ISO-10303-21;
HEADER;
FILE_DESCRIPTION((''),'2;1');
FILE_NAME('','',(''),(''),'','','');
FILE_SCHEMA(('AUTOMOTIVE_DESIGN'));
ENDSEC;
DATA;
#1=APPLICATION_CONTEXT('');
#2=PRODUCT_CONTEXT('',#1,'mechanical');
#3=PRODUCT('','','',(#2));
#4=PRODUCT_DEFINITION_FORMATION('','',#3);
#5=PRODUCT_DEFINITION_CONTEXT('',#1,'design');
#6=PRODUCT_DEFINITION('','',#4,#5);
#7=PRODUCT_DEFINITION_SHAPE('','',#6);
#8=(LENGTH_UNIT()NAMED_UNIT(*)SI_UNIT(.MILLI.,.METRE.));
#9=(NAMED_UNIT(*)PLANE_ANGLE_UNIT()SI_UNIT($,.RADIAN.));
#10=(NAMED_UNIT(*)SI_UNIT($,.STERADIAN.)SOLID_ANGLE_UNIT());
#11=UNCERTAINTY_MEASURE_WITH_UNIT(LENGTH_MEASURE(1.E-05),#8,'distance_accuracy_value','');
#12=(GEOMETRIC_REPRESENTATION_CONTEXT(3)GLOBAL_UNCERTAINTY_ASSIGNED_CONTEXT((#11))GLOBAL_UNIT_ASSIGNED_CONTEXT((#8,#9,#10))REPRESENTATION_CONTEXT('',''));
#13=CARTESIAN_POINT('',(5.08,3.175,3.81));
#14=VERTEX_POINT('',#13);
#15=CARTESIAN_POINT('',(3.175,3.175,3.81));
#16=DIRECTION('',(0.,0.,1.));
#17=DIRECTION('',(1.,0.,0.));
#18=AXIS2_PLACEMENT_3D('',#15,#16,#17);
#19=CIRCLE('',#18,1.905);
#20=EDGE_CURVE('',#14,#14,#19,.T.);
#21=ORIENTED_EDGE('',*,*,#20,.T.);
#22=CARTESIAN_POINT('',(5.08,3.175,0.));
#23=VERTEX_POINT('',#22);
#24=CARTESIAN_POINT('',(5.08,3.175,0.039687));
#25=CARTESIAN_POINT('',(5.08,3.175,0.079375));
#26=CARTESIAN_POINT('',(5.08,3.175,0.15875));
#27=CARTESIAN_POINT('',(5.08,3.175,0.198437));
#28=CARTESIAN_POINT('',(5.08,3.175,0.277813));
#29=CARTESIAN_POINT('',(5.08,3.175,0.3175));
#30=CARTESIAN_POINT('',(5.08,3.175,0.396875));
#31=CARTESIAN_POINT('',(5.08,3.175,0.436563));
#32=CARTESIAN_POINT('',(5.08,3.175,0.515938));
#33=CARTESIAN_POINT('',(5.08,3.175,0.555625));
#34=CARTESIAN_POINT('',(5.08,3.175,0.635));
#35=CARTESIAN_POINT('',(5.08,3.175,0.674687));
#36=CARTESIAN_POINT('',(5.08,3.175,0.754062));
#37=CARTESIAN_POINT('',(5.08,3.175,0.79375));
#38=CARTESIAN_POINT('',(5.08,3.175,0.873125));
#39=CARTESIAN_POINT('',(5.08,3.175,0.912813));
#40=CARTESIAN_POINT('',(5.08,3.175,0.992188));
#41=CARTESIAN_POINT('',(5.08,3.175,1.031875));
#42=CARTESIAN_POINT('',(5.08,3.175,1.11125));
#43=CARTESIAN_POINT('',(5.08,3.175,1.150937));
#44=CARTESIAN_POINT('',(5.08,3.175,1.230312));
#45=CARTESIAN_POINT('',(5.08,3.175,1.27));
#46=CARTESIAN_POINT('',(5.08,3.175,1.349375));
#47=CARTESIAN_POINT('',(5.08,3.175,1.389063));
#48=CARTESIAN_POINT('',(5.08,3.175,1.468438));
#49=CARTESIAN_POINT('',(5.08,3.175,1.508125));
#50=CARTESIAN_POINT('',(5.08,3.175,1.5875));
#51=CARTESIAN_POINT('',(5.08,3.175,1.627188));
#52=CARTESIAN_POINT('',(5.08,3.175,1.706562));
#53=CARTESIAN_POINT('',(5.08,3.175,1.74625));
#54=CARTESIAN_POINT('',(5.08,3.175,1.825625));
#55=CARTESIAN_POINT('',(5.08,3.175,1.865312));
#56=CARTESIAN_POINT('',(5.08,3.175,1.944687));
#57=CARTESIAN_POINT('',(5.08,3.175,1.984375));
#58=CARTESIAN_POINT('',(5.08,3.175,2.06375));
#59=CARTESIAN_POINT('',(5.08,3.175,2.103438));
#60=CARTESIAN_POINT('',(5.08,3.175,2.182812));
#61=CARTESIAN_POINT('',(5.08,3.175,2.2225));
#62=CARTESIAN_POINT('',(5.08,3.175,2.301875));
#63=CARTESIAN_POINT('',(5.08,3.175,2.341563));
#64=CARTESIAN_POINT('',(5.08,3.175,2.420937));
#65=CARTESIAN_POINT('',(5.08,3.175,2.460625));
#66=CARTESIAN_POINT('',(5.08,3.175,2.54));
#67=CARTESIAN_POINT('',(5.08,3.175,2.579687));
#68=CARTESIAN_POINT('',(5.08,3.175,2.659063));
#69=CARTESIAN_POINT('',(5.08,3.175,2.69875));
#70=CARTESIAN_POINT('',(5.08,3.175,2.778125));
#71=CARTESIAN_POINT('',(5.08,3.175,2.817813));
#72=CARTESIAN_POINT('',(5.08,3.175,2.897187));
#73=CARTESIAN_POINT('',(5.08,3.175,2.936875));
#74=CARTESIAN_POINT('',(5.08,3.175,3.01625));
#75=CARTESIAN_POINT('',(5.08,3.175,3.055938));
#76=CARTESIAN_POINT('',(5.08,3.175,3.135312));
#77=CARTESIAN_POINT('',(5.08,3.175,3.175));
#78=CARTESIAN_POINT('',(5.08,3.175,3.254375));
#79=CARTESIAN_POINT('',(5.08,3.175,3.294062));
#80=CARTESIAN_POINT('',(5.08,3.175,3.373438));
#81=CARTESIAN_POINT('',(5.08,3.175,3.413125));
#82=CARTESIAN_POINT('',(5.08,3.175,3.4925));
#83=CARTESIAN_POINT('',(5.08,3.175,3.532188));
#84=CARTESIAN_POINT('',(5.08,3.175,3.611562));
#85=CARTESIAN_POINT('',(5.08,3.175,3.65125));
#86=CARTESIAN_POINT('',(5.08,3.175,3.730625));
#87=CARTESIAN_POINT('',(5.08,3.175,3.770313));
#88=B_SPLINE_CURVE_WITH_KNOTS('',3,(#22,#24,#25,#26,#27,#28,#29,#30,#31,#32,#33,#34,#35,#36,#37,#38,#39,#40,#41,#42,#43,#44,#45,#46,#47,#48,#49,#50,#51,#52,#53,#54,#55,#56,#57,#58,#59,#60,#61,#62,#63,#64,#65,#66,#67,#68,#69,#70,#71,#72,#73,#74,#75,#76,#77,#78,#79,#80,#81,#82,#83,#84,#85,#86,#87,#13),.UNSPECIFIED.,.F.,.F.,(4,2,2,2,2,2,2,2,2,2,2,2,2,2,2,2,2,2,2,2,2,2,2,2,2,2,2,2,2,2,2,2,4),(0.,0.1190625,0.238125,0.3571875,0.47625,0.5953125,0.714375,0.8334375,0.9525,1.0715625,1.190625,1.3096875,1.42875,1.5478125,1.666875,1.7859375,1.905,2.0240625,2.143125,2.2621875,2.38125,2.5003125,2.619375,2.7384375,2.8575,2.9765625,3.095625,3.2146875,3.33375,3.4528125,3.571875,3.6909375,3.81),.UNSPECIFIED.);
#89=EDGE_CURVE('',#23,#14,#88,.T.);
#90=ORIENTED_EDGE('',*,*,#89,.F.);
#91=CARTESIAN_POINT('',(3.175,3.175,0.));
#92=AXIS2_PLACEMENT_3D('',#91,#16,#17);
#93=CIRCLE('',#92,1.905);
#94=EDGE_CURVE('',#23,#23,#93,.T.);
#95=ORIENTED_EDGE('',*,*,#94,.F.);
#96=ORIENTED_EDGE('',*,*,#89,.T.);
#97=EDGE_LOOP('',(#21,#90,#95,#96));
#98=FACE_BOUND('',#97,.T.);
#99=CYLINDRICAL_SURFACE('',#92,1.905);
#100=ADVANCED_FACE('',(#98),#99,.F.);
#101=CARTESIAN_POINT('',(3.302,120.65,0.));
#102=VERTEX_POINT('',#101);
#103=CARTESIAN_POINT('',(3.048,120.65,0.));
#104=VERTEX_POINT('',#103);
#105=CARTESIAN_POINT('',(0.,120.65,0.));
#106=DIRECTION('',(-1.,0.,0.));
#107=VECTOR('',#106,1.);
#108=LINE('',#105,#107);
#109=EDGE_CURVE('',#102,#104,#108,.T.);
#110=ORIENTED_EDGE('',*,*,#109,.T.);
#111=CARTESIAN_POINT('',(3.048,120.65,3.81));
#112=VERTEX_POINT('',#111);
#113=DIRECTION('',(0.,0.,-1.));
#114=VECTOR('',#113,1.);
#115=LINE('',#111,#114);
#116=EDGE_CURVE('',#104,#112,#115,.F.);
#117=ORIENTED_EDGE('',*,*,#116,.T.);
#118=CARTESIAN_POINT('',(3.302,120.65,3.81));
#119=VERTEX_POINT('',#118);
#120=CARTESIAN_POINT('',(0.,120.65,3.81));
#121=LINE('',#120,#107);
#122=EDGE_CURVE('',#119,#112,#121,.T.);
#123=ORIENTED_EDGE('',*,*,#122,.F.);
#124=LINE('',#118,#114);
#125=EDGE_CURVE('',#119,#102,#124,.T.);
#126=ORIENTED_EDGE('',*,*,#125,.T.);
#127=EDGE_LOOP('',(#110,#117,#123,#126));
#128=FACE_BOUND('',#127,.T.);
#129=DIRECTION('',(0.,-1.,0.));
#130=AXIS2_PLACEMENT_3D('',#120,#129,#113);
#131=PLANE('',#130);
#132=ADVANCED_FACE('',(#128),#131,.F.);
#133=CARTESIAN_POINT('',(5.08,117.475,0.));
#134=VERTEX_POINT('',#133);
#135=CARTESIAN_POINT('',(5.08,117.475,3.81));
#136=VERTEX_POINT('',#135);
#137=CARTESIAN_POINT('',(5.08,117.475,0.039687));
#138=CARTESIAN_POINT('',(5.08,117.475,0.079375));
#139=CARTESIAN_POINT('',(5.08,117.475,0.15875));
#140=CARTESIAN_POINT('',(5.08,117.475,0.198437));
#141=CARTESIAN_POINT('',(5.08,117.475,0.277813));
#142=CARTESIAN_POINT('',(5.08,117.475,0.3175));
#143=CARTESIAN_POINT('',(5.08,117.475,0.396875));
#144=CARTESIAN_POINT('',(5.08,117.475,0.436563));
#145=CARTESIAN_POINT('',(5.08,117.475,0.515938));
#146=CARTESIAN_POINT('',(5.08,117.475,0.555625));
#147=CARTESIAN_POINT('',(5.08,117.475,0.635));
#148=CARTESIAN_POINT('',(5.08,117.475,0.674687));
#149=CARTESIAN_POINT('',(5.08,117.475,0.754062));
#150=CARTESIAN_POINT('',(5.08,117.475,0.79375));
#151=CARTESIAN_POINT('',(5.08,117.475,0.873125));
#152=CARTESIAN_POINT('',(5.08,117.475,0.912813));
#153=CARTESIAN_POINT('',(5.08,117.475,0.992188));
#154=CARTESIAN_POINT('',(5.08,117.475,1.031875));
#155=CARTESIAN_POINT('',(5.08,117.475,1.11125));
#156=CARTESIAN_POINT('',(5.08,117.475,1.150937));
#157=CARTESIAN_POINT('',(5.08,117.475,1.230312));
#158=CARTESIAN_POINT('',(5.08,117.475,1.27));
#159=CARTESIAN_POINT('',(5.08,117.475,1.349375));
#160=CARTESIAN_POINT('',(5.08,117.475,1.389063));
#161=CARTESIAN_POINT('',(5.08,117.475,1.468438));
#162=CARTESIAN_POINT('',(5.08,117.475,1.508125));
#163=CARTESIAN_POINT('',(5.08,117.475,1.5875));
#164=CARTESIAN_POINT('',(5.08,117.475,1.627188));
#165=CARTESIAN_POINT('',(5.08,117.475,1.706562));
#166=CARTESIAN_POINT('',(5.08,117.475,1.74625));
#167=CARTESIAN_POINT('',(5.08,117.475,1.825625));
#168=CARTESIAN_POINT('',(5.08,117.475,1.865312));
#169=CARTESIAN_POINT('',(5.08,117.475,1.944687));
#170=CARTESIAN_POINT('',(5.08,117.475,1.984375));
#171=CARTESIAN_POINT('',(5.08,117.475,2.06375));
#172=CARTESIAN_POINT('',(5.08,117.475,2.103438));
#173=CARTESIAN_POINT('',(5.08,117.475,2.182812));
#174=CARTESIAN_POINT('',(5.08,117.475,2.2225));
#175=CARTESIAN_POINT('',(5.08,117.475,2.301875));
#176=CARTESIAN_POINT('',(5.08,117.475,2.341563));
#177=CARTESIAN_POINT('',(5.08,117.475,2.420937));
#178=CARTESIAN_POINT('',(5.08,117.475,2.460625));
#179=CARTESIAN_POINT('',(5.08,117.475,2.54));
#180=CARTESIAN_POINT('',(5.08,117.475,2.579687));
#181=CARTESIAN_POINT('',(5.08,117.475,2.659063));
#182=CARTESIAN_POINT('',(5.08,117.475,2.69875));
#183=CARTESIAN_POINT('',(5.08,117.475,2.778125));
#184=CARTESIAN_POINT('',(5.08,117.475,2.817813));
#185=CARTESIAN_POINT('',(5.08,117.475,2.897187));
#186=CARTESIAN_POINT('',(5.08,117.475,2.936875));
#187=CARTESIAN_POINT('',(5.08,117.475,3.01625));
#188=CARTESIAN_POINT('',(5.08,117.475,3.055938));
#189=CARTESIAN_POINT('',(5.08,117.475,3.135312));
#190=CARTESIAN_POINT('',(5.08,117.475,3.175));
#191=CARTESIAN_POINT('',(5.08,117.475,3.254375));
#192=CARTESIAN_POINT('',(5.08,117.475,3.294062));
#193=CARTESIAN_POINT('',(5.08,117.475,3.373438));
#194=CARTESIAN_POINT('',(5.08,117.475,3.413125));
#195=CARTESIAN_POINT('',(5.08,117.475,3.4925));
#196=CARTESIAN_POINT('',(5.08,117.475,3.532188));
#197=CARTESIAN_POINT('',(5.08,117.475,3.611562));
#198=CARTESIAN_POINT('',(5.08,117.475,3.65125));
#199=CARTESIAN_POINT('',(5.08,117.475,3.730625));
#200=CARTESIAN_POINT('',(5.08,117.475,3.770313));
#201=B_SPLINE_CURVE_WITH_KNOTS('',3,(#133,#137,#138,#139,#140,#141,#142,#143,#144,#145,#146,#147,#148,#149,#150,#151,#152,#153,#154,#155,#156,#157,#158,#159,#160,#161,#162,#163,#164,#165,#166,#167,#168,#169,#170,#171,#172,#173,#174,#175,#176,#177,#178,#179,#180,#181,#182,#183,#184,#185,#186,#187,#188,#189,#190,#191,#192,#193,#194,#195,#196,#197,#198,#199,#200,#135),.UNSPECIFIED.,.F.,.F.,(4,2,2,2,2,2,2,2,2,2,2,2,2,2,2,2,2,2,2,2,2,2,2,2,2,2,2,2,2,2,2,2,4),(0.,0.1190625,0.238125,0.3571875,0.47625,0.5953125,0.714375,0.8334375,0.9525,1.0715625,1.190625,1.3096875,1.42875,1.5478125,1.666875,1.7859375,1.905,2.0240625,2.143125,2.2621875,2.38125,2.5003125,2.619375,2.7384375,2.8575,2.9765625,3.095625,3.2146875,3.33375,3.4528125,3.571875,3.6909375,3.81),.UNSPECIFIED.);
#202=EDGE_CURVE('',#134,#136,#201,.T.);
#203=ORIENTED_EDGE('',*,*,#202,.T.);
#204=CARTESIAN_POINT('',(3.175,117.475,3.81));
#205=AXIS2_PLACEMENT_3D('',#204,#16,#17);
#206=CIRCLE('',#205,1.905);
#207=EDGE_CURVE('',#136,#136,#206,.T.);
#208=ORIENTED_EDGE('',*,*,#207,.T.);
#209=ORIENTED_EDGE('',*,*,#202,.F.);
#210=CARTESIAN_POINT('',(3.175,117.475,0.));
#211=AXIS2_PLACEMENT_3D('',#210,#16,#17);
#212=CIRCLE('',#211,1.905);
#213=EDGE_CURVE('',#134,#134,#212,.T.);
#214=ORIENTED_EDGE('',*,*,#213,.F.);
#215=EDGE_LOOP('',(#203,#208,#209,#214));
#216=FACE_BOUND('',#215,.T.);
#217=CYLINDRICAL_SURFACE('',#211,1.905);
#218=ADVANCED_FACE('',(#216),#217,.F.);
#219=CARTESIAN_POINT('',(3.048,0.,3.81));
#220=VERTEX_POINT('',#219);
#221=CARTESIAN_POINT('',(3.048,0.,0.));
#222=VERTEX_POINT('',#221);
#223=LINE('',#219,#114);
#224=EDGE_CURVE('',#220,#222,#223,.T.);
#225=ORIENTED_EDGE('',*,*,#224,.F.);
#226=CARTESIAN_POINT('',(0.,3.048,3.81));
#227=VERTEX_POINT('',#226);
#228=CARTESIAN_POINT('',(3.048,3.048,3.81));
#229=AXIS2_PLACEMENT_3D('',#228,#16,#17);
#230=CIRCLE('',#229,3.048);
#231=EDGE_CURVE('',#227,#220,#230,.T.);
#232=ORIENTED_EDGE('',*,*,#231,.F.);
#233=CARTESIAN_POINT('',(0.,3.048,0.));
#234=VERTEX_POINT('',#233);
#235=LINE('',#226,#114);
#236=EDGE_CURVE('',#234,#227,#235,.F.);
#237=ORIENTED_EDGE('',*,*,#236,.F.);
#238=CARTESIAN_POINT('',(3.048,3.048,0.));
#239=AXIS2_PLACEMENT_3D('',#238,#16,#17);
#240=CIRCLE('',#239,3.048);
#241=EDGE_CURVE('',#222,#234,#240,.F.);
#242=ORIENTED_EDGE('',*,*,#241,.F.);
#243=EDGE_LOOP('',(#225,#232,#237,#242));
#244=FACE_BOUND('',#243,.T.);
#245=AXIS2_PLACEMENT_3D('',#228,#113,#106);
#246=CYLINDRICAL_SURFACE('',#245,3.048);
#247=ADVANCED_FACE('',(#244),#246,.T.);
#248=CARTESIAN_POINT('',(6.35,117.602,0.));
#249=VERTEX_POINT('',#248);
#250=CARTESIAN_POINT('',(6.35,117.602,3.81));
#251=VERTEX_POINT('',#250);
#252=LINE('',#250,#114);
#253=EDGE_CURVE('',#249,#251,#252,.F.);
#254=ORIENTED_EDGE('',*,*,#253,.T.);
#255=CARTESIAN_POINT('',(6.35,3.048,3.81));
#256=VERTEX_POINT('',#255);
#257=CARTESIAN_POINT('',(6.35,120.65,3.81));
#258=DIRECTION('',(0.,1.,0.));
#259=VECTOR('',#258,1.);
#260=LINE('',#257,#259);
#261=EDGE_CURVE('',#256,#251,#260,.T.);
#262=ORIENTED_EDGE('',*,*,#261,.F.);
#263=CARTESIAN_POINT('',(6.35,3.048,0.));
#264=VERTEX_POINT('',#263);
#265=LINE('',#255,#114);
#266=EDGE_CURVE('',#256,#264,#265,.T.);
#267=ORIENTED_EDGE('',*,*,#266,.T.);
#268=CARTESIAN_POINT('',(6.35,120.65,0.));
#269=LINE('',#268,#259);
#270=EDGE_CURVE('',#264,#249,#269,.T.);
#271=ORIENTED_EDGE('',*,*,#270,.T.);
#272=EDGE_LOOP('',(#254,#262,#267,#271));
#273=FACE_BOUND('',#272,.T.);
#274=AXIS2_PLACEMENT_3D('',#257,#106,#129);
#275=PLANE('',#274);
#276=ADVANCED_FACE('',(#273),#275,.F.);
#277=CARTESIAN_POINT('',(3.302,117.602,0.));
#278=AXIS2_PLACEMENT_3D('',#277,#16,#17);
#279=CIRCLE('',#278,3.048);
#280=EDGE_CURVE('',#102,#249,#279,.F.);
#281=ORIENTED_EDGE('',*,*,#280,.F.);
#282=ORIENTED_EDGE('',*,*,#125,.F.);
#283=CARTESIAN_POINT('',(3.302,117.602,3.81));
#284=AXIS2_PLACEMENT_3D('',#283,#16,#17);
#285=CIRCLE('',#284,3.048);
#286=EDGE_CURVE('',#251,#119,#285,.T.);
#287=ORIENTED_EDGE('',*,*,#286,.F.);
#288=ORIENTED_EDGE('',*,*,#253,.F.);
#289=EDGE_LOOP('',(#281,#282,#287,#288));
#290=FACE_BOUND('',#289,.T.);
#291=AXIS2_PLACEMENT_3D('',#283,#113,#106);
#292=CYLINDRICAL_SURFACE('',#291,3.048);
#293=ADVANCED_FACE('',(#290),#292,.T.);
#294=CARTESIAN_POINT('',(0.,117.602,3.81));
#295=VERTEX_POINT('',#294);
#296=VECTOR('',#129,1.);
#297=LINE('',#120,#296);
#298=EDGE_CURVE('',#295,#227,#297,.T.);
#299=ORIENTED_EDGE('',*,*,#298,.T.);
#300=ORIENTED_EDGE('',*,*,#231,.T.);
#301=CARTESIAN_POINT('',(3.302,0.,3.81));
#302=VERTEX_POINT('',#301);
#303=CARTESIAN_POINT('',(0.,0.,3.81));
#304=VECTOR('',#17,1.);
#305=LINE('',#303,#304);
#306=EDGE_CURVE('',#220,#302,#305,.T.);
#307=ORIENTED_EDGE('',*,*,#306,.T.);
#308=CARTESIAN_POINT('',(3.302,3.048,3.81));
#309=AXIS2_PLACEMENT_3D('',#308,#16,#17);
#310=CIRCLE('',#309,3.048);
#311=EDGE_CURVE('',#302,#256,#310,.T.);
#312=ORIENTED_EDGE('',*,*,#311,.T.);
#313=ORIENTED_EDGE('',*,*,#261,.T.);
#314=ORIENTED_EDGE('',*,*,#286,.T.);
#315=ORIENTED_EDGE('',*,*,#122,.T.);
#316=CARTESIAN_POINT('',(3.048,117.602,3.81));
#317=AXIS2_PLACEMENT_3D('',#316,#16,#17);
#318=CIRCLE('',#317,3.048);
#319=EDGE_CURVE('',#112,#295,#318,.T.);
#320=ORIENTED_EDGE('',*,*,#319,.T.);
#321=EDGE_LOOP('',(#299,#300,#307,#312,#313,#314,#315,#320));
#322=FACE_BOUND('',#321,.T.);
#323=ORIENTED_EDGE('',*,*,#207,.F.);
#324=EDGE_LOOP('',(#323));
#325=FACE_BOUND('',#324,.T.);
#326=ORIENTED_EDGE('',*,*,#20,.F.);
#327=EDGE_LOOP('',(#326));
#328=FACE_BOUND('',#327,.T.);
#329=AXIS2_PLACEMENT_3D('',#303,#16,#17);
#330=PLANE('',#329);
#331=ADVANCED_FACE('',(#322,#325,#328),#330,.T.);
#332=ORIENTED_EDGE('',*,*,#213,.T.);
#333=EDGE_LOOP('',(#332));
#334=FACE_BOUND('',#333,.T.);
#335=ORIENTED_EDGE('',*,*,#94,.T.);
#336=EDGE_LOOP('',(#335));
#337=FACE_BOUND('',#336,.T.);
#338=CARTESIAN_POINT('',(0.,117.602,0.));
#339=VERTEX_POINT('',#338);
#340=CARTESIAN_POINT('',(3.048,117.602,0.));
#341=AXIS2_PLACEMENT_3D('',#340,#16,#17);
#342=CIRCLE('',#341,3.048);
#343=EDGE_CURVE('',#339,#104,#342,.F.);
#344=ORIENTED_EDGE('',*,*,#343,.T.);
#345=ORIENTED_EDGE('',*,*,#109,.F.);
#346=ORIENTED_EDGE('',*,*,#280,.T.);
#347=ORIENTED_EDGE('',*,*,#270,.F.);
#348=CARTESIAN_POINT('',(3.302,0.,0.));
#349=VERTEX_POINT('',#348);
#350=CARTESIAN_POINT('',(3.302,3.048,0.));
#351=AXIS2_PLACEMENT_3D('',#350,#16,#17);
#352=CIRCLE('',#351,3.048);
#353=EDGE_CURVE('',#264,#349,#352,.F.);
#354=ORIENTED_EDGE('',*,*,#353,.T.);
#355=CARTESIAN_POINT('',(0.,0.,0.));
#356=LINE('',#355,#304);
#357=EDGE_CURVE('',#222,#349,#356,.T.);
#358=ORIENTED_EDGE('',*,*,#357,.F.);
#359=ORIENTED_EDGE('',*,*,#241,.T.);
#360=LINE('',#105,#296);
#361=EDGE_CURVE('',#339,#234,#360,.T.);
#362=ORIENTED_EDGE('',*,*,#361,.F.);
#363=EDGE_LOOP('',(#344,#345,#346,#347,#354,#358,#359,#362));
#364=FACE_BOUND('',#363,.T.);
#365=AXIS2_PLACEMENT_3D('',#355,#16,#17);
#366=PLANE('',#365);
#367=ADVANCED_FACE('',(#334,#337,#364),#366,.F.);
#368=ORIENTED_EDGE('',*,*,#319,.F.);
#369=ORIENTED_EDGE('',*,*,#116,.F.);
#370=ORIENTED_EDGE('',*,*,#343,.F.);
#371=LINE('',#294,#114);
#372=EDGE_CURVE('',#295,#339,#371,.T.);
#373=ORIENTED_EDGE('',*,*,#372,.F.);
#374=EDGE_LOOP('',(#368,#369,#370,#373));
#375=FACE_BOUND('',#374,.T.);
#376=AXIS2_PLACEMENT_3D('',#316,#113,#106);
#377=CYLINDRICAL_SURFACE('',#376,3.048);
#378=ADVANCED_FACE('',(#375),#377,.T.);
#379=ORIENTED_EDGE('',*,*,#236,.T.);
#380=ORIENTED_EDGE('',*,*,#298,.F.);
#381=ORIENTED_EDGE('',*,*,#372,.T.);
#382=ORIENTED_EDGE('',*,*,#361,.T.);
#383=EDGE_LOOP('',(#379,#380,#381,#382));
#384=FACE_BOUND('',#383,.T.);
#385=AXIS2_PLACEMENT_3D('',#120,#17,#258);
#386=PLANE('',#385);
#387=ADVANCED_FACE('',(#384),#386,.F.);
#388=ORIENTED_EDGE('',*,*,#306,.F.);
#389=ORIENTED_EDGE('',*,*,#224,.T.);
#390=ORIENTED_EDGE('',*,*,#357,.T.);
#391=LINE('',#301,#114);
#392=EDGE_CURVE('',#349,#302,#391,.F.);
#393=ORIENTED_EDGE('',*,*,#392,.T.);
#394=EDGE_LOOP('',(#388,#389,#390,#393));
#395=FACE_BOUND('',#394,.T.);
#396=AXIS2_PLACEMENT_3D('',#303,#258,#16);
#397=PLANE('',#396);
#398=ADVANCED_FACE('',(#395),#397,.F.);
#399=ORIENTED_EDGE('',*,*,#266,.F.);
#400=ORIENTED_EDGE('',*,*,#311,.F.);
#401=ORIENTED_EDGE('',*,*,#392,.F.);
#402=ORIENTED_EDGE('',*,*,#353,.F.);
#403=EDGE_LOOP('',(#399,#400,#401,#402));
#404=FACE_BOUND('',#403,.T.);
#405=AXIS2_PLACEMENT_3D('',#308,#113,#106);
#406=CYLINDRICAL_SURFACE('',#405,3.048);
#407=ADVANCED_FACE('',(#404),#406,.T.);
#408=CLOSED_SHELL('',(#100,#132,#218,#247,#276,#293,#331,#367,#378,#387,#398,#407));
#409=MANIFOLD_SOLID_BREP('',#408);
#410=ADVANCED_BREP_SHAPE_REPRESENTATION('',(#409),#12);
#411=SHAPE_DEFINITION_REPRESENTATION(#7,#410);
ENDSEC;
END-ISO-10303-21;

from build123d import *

# Parameters (mm, degrees)
SKETCH2_W           = 6.35
SKETCH2_H           = 120.65
BOSS_EXTRUDE1_DEPTH = 3.81
EDGE_1_R            = 3.048
EDGE_2_R            = 3.048
EDGE_3_R            = 3.048
EDGE_4_R            = 3.048
SKETCH4_R           = 1.905
HOLES_DEPTH         = 121.877049517


with BuildPart() as part:
    # Sketch2 → Boss-Extrude1 (new body)
    with BuildSketch(Plane.XY):
        with Locations((3.175, 60.325)):
            Rectangle(SKETCH2_W, SKETCH2_H)
    extrude(amount=BOSS_EXTRUDE1_DEPTH)

    # Edge 1
    edge_1_edges = [part.edges().sort_by_distance(p)[0] for p in [
        (6.35, 120.65, 1.905),
    ]]
    fillet(edge_1_edges, radius=EDGE_1_R)

    # Edge 2
    edge_2_edges = [part.edges().sort_by_distance(p)[0] for p in [
        (0, 120.65, 1.905),
    ]]
    fillet(edge_2_edges, radius=EDGE_2_R)

    # Edge 3
    edge_3_edges = [part.edges().sort_by_distance(p)[0] for p in [
        (6.35, 0, 1.905),
    ]]
    fillet(edge_3_edges, radius=EDGE_3_R)

    # Edge 4
    edge_4_edges = [part.edges().sort_by_distance(p)[0] for p in [
        (0, 0, 1.905),
    ]]
    fillet(edge_4_edges, radius=EDGE_4_R)

    # Sketch4 → Holes (cut, through all)
    with BuildSketch(Plane.XY.offset(3.81)):
        with Locations((3.175, 3.175)):
            Circle(SKETCH4_R)
        with Locations((3.175, 117.475)):
            Circle(SKETCH4_R)
    extrude(amount=-HOLES_DEPTH, mode=Mode.SUBTRACT)


solid = part.part
